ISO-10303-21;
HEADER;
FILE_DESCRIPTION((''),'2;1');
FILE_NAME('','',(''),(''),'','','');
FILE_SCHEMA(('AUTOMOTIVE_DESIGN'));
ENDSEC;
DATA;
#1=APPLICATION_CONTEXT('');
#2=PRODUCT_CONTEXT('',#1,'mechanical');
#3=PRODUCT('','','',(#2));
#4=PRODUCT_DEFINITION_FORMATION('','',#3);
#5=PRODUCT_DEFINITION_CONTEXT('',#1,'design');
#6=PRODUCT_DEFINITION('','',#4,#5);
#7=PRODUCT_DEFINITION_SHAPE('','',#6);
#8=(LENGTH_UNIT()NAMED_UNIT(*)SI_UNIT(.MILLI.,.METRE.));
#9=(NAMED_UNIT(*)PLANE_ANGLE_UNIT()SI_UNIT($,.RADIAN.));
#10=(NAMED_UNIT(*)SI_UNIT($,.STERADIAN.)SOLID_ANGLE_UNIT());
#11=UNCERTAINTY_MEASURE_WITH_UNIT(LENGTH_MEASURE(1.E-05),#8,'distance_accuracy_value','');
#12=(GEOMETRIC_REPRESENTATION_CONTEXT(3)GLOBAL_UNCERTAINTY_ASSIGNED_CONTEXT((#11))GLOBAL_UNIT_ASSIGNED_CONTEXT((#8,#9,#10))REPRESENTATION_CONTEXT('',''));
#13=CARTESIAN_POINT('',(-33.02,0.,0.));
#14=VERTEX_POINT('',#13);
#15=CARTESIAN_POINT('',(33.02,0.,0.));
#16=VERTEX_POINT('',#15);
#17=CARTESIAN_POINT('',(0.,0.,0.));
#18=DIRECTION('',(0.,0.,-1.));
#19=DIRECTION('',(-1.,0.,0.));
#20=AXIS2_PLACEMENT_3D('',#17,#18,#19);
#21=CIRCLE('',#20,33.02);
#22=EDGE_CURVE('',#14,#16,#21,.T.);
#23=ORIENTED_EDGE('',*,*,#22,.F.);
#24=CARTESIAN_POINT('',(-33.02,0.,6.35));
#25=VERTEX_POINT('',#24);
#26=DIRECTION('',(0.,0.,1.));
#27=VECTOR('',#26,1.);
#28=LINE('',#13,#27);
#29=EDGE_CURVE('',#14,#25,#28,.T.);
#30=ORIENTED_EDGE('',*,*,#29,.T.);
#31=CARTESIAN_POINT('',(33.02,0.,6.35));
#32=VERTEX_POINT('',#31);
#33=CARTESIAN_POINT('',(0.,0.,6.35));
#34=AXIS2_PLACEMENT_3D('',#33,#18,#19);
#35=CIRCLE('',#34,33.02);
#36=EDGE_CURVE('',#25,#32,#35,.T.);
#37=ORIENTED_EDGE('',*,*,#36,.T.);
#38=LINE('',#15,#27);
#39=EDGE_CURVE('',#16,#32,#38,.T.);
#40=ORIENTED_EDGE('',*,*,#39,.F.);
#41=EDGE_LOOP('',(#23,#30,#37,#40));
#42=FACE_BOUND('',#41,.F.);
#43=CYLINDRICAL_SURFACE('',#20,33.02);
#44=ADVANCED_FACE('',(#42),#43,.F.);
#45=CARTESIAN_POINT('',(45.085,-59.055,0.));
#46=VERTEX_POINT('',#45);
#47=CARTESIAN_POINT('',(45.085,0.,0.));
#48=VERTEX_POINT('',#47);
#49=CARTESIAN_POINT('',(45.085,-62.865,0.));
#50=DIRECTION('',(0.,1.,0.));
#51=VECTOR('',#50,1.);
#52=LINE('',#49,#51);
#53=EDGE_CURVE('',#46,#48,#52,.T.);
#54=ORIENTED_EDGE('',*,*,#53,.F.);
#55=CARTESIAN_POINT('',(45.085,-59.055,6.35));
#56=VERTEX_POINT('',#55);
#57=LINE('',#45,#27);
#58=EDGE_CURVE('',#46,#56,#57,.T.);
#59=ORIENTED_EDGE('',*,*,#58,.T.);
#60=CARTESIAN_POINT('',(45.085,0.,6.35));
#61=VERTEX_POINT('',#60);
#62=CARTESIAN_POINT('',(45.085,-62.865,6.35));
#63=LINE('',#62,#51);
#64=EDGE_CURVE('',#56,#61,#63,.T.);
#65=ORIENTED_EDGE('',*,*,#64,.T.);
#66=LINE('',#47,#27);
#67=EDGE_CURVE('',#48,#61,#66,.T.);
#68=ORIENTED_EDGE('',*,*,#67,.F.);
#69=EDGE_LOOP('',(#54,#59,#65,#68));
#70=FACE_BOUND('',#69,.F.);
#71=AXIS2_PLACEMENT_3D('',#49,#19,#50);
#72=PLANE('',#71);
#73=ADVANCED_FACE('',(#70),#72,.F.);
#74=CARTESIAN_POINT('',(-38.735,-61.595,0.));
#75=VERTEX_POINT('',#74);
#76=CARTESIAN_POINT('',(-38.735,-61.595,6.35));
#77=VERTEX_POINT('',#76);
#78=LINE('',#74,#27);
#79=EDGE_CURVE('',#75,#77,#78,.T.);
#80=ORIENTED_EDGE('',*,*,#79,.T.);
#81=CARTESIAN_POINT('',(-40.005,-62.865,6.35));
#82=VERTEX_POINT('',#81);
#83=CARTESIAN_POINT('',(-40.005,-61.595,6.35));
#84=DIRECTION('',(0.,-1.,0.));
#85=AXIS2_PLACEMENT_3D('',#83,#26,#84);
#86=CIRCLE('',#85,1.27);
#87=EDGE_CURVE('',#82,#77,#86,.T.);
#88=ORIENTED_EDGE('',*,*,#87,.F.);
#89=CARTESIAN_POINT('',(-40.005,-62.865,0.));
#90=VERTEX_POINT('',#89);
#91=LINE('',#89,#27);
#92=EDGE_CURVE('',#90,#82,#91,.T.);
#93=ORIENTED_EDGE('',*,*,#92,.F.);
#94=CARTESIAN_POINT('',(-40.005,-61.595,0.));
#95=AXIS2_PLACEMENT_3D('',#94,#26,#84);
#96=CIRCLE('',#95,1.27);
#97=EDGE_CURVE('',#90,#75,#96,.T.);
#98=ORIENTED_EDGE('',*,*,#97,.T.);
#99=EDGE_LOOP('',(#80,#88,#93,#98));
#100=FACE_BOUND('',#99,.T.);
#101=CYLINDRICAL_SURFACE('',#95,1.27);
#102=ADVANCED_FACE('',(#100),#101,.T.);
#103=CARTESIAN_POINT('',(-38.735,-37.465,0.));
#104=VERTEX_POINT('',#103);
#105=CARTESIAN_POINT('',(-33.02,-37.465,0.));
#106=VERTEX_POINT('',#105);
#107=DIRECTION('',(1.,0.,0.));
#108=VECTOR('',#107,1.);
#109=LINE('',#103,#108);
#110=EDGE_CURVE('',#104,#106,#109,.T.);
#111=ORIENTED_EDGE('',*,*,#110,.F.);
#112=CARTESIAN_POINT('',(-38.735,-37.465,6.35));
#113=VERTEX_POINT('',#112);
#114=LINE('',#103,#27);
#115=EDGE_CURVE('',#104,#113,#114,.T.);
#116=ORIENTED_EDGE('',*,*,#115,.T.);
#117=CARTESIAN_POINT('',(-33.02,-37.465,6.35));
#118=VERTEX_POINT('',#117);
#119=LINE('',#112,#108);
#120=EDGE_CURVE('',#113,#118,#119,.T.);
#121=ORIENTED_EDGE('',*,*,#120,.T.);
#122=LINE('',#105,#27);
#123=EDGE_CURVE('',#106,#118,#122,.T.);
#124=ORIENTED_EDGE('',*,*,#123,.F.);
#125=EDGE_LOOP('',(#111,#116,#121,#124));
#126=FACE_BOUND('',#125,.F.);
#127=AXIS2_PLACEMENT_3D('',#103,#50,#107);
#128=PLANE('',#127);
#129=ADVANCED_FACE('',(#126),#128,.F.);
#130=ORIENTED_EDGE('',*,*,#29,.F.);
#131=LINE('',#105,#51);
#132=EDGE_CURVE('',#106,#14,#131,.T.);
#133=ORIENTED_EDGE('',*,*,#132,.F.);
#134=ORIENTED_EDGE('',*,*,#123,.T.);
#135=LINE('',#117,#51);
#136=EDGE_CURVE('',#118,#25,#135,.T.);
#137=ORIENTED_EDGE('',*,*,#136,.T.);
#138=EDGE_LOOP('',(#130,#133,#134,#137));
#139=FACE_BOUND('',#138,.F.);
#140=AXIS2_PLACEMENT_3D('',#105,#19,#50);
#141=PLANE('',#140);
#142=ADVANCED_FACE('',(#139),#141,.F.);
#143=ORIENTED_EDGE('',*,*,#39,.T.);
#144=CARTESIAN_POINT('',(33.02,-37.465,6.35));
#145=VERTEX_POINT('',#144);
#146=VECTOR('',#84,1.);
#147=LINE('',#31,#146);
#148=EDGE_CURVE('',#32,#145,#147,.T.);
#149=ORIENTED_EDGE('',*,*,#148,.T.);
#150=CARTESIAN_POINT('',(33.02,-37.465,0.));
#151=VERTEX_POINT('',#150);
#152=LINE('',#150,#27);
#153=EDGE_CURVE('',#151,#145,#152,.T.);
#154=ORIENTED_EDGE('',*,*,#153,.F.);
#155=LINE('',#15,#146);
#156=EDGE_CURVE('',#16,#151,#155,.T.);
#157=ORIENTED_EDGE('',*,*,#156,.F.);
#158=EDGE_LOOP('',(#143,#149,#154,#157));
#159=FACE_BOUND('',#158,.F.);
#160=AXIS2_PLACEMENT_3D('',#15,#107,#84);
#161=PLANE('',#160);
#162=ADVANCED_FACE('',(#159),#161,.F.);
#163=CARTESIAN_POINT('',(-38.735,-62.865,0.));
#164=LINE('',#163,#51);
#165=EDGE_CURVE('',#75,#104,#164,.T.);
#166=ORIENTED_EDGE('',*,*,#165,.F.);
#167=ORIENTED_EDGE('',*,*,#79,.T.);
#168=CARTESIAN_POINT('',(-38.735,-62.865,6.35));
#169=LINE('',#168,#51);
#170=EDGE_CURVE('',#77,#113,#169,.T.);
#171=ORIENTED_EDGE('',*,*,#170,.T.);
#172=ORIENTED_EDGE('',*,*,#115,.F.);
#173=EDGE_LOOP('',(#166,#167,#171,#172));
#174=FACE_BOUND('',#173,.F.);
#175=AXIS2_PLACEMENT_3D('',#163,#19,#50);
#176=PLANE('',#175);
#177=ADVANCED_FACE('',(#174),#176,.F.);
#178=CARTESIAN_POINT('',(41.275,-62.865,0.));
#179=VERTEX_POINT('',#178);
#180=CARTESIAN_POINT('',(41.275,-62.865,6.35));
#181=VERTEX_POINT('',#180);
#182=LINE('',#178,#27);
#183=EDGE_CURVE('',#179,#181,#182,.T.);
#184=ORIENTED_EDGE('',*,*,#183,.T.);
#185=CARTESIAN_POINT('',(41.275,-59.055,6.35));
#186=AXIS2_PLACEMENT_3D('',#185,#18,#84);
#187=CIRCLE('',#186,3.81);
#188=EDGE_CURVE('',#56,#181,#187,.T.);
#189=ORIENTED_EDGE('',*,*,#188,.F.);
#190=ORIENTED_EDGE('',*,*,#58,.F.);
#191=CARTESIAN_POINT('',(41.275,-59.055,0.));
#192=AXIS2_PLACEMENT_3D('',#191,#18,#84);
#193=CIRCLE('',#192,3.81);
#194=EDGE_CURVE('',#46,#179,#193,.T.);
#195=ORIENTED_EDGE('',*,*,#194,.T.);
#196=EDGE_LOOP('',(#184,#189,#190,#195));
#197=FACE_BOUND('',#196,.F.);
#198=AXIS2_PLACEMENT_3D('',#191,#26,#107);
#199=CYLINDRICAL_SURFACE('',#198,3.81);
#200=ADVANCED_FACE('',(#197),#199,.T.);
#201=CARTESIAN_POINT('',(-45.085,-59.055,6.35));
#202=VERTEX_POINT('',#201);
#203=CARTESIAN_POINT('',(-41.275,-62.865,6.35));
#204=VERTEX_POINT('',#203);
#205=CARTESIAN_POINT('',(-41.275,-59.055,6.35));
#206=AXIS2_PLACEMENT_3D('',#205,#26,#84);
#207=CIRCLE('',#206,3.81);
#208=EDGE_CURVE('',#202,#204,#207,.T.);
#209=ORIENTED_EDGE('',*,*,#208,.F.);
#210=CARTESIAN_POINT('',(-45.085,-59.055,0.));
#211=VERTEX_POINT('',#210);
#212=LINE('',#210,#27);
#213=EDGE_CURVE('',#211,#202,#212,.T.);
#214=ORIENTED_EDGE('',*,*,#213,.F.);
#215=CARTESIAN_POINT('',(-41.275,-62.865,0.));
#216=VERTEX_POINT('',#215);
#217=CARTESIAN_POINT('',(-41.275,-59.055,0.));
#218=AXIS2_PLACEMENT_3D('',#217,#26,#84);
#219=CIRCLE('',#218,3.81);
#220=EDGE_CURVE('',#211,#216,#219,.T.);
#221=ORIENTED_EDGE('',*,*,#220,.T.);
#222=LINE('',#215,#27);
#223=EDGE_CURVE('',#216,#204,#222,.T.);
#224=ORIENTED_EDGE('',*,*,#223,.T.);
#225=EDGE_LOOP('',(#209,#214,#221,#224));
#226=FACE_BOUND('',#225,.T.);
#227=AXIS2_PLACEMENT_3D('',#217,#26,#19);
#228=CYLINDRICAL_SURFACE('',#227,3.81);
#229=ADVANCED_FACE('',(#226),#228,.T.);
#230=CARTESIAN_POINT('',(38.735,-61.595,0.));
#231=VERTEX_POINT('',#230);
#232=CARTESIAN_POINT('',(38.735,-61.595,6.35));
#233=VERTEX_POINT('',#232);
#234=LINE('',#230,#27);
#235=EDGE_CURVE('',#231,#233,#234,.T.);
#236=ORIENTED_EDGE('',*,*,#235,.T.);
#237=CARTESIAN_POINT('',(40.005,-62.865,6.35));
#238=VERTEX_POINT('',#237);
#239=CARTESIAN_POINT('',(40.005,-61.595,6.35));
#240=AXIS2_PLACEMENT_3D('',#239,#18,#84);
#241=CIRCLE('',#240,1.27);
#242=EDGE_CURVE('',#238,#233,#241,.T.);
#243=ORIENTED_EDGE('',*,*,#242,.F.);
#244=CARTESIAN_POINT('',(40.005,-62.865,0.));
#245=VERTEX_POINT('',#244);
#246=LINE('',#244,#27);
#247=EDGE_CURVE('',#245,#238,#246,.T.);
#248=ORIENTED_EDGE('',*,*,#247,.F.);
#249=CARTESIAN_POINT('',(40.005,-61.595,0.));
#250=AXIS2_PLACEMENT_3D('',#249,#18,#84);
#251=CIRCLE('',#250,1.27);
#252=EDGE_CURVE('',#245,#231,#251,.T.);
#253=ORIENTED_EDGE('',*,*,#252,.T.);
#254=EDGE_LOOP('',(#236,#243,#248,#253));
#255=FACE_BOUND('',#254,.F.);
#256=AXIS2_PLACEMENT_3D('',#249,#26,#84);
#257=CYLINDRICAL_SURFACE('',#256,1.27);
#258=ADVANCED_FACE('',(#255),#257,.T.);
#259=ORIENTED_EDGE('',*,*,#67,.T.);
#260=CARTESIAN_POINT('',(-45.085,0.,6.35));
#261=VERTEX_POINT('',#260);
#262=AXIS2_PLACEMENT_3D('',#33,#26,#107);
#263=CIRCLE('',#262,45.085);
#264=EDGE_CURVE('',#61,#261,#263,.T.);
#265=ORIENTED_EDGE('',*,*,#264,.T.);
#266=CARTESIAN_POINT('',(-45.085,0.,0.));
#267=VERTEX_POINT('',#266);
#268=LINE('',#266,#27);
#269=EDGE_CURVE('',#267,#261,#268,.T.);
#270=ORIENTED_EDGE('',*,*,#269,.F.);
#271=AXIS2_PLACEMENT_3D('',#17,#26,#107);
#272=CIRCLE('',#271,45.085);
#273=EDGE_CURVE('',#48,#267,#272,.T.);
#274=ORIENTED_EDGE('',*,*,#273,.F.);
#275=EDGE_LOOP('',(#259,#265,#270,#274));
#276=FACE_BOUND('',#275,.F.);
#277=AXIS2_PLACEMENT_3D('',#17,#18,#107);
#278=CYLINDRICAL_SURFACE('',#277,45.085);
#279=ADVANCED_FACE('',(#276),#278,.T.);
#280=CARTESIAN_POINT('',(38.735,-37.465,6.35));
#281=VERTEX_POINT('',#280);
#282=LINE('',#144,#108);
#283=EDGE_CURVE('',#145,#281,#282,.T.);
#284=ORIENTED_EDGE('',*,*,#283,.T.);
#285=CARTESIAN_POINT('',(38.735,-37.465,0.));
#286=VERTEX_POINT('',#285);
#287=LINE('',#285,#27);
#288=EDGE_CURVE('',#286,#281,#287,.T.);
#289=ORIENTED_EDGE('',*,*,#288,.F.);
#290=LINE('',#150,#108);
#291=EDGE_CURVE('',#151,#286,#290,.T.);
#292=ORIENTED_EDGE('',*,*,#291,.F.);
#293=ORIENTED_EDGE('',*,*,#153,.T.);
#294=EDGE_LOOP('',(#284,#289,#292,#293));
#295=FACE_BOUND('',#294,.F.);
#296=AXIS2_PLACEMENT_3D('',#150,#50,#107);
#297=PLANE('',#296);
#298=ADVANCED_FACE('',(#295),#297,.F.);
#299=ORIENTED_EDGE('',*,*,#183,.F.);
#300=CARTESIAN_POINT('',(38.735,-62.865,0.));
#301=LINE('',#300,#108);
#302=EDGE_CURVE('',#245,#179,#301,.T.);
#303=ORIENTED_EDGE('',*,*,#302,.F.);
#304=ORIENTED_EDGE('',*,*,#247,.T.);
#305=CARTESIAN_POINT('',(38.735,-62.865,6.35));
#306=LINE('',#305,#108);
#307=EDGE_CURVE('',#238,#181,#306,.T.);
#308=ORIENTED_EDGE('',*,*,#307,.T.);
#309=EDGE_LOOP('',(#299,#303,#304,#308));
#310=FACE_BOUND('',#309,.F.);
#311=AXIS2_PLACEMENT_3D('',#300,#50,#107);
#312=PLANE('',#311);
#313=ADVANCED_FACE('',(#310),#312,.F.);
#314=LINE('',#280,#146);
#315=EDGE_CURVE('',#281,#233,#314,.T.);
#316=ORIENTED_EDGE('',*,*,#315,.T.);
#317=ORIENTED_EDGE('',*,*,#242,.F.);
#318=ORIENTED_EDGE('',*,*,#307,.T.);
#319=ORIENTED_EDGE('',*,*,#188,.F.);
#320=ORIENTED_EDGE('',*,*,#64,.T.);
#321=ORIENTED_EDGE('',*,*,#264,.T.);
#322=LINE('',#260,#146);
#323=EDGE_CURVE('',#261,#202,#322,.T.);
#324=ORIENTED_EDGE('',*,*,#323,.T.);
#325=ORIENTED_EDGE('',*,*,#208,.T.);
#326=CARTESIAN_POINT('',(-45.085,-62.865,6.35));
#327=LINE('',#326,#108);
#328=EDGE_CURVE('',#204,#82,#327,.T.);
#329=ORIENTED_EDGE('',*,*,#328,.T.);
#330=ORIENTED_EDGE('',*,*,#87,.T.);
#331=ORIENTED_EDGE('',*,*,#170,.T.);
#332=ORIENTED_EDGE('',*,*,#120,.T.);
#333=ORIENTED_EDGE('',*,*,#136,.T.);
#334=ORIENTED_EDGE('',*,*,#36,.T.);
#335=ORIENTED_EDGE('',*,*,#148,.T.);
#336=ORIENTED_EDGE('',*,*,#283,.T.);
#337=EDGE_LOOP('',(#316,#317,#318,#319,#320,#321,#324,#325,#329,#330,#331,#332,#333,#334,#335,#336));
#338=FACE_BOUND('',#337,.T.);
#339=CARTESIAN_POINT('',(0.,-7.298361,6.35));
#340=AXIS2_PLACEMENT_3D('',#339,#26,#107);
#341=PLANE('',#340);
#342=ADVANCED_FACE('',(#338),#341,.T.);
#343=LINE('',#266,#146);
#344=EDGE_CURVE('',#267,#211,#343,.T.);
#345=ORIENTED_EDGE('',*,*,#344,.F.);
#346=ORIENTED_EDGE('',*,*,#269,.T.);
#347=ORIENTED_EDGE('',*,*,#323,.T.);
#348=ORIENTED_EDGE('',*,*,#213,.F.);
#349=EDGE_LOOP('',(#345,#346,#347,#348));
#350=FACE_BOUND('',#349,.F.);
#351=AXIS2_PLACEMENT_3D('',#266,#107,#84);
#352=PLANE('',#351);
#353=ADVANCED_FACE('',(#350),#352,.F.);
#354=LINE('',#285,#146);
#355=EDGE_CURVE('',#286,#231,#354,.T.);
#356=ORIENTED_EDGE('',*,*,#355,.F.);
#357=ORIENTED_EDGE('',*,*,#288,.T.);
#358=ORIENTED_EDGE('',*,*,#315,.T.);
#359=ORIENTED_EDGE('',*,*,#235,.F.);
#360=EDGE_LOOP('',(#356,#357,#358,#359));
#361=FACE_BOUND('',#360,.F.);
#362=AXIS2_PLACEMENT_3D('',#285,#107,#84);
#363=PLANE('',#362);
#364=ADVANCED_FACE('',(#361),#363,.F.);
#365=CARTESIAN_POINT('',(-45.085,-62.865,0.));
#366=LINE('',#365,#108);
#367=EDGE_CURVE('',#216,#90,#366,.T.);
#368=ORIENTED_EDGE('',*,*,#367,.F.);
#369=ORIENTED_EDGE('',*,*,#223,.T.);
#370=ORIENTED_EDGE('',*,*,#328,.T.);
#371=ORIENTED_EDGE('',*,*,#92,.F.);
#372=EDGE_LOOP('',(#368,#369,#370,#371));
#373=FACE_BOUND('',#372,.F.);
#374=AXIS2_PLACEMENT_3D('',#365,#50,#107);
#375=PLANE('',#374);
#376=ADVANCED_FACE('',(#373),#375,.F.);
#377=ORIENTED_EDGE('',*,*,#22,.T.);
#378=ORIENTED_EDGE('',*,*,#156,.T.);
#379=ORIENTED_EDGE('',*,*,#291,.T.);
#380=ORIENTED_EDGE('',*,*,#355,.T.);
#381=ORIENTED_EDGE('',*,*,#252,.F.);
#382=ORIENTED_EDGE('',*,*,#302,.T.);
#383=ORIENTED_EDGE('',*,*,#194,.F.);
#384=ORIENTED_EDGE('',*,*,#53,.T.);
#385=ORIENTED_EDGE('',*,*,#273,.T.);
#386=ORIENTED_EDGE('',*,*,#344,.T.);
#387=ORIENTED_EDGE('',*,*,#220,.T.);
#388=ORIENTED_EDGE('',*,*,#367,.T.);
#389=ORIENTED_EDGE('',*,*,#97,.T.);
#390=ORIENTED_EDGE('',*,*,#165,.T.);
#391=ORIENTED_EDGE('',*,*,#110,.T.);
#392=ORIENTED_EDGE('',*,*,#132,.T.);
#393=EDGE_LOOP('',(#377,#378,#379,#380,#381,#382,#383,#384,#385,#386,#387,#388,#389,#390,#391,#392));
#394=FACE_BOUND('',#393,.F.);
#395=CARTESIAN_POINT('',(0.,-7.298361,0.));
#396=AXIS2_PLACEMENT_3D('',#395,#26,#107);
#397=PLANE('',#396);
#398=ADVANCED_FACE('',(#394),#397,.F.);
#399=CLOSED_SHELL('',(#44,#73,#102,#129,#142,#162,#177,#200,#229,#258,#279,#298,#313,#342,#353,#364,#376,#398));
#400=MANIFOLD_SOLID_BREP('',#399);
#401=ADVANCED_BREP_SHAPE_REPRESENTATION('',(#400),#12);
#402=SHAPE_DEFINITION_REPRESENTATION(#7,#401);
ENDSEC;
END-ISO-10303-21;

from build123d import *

# Parameters (mm, degrees)
F1_DEPTH = 6.35
F2_R     = 3.81
F3_R     = 1.27


with BuildPart() as f1:
    # F0 (on Top) → F1 (new body)
    with BuildSketch(Plane.XY):
        with BuildLine():
            Line((45.085, -62.865), (45.085, 0))
            ThreePointArc((45.085, 0), (0, 45.085), (-45.085, 0))
            Line((-45.085, 0), (-45.085, -62.865))
            Line((-45.085, -62.865), (-38.735, -62.865))
            Line((-38.735, -62.865), (-38.735, -37.465))
            Line((-38.735, -37.465), (-33.02, -37.465))
            Line((-33.02, -37.465), (-33.02, 0))
            ThreePointArc((-33.02, 0), (0, 33.02), (33.02, 0))
            Line((33.02, 0), (33.02, -37.465))
            Line((33.02, -37.465), (38.735, -37.465))
            Line((38.735, -37.465), (38.735, -62.865))
            Line((38.735, -62.865), (45.085, -62.865))
        make_face()
    extrude(amount=F1_DEPTH)

    # F2
    f2_edges = [f1.edges().sort_by_distance(p)[0] for p in [
        (-45.085, -62.865, 3.175),
        (45.085, -62.865, 3.175),
    ]]
    fillet(f2_edges, radius=F2_R)

    # F3
    f3_edges = [f1.edges().sort_by_distance(p)[0] for p in [
        (-38.735, -62.865, 3.175),
        (38.735, -62.865, 3.175),
    ]]
    fillet(f3_edges, radius=F3_R)


solid = f1.part
